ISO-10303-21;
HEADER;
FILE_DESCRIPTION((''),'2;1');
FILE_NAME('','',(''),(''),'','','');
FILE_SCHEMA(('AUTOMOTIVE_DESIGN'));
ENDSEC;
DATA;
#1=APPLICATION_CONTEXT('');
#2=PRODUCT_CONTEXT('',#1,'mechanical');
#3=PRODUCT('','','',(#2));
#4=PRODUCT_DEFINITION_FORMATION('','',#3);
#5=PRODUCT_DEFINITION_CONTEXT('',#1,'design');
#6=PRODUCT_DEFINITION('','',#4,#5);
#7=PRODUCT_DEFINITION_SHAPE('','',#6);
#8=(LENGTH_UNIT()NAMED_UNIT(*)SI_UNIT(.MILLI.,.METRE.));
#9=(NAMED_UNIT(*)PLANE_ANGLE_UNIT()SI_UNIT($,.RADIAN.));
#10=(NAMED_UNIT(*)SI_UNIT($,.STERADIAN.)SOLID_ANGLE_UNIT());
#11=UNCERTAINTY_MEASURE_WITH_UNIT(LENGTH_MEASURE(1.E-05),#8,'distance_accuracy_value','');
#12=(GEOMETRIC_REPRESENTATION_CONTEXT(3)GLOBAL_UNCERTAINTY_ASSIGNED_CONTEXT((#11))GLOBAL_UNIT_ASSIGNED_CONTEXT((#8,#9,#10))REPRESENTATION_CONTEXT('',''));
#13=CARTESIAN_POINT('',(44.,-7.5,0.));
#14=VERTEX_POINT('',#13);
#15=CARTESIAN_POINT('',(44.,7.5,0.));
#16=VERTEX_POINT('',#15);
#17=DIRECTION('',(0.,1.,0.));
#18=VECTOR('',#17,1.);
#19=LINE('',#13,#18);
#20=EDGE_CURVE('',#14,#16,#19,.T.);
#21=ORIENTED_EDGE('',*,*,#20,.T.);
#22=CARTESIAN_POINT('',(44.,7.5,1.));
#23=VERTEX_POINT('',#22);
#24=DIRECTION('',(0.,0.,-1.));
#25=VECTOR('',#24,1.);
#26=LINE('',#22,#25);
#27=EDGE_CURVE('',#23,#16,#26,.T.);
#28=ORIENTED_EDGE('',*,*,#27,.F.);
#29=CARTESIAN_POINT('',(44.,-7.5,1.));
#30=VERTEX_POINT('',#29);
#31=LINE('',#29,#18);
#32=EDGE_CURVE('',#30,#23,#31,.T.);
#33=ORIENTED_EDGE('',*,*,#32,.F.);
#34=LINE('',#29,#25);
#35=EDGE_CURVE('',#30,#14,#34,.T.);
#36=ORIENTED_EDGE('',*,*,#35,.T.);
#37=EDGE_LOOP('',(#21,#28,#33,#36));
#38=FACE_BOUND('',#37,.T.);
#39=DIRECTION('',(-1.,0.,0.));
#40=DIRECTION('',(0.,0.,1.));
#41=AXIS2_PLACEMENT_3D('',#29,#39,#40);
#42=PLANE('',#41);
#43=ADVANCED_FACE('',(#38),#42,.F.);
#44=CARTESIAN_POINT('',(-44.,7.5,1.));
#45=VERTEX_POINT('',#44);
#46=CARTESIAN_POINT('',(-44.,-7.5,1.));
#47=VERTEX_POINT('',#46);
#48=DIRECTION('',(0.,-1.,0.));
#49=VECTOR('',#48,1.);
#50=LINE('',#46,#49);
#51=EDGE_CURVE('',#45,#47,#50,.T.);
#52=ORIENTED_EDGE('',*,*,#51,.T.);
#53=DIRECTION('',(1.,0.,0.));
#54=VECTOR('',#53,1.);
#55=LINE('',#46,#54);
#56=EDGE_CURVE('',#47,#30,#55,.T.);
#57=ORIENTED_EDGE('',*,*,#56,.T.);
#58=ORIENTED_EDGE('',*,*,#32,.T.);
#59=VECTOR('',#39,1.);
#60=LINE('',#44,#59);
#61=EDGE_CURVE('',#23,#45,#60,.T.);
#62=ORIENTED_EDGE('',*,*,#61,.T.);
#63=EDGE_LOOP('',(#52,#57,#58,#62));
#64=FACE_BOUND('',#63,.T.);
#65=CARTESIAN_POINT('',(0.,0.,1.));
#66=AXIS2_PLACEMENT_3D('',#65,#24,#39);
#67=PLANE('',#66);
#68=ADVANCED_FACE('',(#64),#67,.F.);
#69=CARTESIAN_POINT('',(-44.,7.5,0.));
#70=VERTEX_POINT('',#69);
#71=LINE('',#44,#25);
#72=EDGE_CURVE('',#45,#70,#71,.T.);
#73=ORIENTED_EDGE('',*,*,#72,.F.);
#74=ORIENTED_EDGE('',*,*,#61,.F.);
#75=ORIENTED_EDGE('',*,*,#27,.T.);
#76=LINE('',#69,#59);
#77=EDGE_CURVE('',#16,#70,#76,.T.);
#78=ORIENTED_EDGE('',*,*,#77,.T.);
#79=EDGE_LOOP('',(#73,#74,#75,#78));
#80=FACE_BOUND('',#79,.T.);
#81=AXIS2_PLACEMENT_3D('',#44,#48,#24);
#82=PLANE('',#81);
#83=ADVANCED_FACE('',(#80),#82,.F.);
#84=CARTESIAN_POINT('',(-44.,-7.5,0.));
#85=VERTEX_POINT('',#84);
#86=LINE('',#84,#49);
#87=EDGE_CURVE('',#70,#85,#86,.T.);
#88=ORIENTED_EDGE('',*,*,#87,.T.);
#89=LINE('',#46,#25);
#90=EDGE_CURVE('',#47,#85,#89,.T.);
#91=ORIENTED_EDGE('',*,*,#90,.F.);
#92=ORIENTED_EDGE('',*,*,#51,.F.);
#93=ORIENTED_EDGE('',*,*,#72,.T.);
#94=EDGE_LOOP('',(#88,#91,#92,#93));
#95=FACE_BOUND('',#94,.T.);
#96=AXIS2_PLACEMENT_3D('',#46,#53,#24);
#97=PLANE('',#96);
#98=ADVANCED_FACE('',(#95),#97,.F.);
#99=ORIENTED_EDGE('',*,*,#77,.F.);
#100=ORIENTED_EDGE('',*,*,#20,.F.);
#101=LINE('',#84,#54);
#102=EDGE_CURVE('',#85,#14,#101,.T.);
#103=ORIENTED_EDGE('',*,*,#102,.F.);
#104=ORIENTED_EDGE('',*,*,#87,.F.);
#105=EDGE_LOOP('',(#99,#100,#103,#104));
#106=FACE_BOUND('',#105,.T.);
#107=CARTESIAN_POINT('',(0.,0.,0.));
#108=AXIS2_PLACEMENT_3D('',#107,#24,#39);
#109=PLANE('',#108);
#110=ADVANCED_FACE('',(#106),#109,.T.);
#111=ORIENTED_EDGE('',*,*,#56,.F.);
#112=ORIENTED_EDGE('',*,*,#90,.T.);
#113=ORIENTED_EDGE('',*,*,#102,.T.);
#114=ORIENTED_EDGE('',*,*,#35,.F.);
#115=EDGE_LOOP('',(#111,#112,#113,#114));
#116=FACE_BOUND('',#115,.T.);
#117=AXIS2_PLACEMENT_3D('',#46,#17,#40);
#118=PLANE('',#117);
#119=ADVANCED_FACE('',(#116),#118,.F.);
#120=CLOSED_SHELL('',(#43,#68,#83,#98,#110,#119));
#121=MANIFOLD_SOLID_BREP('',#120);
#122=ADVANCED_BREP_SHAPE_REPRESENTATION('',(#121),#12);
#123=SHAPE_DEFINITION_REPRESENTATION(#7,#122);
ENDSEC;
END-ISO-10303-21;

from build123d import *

# Parameters (mm, degrees)
SKETCH_1_W      = 88
SKETCH_1_H      = 15
EXTRUDE_1_DEPTH = 1


with BuildPart() as part:
    # ｽｹｯﾁ1 → ﾎﾞｽ - 押し出し1 (new body)
    with BuildSketch(Plane.XY):
        Rectangle(SKETCH_1_W, SKETCH_1_H)
    extrude(amount=EXTRUDE_1_DEPTH)


solid = part.part
